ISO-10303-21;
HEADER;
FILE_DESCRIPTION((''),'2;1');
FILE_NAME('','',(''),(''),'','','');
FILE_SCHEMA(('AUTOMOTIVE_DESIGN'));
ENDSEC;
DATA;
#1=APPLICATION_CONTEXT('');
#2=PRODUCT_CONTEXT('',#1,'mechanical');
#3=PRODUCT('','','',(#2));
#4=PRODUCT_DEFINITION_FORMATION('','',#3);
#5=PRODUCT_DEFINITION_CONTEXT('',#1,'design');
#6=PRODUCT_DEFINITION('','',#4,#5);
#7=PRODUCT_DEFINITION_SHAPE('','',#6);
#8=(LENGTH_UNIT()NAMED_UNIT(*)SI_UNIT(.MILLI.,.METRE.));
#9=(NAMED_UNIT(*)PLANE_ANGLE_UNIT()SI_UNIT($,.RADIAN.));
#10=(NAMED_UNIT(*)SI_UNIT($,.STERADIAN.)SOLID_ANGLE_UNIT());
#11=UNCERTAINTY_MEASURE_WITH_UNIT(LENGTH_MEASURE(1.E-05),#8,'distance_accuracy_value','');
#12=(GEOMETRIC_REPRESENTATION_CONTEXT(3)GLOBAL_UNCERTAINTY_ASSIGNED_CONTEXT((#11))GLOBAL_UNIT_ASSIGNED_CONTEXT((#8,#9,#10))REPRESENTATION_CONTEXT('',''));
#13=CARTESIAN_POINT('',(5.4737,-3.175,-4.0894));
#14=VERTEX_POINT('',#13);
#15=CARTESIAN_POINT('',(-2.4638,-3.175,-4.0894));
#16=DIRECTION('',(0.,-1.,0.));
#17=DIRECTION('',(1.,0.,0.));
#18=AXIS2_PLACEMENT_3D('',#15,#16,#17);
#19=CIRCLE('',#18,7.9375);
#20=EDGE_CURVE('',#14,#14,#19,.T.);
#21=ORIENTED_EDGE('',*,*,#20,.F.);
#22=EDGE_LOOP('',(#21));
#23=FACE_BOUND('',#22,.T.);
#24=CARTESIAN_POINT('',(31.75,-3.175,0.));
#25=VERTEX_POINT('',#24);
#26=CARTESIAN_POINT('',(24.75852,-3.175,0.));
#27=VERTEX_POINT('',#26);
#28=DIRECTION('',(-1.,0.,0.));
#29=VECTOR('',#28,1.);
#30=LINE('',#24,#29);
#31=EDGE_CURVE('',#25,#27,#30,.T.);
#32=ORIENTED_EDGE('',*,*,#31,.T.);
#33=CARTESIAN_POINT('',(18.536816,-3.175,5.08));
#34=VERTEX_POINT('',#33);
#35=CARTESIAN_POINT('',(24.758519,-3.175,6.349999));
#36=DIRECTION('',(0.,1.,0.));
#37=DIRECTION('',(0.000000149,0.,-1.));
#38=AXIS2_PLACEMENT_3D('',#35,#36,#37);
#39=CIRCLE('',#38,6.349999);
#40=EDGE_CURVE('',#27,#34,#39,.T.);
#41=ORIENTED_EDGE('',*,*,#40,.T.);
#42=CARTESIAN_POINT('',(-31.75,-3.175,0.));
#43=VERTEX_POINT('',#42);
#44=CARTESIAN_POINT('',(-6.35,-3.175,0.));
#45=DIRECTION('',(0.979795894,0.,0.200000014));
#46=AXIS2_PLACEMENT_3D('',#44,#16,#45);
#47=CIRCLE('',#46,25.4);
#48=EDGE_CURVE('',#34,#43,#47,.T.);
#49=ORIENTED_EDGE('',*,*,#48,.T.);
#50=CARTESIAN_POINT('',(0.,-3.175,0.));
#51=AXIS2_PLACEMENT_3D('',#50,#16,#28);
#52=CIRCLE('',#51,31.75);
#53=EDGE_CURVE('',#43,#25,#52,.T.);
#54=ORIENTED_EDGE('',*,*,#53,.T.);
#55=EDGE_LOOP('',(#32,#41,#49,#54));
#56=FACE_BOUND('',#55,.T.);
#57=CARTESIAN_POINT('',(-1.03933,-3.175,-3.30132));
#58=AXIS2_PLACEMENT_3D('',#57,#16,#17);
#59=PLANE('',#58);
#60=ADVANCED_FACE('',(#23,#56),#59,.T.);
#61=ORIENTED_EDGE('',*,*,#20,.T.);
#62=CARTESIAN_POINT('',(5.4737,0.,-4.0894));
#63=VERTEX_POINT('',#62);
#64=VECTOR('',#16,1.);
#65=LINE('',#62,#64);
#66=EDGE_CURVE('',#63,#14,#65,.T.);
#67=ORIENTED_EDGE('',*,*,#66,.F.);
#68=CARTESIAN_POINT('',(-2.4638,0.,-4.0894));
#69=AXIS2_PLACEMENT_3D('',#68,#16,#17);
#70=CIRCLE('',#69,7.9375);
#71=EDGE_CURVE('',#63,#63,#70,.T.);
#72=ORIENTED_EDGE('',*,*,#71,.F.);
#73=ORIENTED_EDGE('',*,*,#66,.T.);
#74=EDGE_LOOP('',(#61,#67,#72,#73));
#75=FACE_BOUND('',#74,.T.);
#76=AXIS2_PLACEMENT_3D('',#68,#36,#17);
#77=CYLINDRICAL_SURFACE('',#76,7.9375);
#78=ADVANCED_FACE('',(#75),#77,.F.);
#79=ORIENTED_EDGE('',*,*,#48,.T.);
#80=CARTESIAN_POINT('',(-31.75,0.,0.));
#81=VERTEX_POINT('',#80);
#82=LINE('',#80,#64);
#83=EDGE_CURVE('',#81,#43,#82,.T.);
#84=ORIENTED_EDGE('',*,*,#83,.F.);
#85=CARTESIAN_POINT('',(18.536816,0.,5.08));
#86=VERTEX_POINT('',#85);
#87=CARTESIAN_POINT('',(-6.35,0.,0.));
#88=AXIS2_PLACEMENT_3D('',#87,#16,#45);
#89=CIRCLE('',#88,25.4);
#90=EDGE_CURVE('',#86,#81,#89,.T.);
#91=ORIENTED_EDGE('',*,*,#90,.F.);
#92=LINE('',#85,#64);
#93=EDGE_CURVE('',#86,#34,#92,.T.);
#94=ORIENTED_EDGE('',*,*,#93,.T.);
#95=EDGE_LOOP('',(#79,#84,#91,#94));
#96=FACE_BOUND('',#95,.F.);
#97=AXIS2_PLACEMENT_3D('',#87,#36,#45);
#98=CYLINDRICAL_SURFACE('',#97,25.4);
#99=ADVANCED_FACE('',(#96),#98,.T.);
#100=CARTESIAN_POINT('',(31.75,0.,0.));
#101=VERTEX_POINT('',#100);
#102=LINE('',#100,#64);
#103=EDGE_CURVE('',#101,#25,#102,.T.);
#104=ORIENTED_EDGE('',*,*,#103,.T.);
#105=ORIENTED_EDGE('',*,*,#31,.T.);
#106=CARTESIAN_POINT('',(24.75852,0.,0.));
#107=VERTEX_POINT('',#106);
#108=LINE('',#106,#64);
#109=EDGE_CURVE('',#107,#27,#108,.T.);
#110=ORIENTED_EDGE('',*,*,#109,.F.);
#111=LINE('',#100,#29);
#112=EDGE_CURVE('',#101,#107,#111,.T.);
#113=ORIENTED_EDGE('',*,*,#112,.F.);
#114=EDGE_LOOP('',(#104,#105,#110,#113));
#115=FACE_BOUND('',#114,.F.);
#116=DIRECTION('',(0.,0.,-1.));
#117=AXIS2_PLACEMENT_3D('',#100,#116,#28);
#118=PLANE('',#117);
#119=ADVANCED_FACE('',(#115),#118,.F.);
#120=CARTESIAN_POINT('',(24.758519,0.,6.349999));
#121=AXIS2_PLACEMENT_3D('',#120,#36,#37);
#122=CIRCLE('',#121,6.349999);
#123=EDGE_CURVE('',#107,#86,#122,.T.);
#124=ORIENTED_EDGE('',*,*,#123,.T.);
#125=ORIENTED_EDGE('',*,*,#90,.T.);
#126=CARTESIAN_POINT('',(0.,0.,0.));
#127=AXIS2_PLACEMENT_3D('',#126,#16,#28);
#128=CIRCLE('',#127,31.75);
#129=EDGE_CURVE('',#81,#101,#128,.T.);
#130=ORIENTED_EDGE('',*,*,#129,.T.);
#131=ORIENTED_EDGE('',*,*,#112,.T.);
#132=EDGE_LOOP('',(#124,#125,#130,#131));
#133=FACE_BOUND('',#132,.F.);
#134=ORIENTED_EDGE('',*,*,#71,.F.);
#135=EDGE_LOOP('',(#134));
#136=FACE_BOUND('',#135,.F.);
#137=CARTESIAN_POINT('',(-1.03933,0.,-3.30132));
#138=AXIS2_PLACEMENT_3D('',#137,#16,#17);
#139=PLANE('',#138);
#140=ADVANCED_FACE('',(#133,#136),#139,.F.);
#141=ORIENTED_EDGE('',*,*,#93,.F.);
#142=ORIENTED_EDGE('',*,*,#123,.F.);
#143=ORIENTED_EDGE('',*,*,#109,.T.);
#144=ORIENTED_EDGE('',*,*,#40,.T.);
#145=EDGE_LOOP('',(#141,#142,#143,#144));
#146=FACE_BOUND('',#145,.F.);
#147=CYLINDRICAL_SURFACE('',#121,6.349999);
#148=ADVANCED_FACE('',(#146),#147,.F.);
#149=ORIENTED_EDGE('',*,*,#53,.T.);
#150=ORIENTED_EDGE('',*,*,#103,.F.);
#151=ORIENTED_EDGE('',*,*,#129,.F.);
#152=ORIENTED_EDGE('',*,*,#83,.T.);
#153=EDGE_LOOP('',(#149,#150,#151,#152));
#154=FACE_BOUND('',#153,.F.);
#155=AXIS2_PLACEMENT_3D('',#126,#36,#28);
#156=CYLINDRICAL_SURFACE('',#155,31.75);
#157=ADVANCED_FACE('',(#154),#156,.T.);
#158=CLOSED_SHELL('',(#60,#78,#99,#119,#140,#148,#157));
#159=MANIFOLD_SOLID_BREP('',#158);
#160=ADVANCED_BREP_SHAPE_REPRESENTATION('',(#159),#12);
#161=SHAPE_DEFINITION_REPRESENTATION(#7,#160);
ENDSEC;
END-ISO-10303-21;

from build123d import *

# Parameters (mm, degrees)
F0_R     = 7.9375
F1_DEPTH = 3.175


with BuildPart() as f1:
    # F0 (on Front) → F1 (new body)
    with BuildSketch(Plane.XZ):
        with BuildLine():
            ThreePointArc((18.536816, 5.08), (-8.902928, 25.271378), (-31.75, 0))
            ThreePointArc((-31.75, 0), (0, -31.75), (31.75, 0))
            Line((31.75, 0), (24.75852, 0))
            ThreePointArc((24.75852, 0), (20.742427, 1.431311), (18.536816, 5.08))
        make_face()
        with Locations((-2.4638, -4.0894)):
            Circle(F0_R, mode=Mode.SUBTRACT)
    extrude(amount=F1_DEPTH)


solid = f1.part
